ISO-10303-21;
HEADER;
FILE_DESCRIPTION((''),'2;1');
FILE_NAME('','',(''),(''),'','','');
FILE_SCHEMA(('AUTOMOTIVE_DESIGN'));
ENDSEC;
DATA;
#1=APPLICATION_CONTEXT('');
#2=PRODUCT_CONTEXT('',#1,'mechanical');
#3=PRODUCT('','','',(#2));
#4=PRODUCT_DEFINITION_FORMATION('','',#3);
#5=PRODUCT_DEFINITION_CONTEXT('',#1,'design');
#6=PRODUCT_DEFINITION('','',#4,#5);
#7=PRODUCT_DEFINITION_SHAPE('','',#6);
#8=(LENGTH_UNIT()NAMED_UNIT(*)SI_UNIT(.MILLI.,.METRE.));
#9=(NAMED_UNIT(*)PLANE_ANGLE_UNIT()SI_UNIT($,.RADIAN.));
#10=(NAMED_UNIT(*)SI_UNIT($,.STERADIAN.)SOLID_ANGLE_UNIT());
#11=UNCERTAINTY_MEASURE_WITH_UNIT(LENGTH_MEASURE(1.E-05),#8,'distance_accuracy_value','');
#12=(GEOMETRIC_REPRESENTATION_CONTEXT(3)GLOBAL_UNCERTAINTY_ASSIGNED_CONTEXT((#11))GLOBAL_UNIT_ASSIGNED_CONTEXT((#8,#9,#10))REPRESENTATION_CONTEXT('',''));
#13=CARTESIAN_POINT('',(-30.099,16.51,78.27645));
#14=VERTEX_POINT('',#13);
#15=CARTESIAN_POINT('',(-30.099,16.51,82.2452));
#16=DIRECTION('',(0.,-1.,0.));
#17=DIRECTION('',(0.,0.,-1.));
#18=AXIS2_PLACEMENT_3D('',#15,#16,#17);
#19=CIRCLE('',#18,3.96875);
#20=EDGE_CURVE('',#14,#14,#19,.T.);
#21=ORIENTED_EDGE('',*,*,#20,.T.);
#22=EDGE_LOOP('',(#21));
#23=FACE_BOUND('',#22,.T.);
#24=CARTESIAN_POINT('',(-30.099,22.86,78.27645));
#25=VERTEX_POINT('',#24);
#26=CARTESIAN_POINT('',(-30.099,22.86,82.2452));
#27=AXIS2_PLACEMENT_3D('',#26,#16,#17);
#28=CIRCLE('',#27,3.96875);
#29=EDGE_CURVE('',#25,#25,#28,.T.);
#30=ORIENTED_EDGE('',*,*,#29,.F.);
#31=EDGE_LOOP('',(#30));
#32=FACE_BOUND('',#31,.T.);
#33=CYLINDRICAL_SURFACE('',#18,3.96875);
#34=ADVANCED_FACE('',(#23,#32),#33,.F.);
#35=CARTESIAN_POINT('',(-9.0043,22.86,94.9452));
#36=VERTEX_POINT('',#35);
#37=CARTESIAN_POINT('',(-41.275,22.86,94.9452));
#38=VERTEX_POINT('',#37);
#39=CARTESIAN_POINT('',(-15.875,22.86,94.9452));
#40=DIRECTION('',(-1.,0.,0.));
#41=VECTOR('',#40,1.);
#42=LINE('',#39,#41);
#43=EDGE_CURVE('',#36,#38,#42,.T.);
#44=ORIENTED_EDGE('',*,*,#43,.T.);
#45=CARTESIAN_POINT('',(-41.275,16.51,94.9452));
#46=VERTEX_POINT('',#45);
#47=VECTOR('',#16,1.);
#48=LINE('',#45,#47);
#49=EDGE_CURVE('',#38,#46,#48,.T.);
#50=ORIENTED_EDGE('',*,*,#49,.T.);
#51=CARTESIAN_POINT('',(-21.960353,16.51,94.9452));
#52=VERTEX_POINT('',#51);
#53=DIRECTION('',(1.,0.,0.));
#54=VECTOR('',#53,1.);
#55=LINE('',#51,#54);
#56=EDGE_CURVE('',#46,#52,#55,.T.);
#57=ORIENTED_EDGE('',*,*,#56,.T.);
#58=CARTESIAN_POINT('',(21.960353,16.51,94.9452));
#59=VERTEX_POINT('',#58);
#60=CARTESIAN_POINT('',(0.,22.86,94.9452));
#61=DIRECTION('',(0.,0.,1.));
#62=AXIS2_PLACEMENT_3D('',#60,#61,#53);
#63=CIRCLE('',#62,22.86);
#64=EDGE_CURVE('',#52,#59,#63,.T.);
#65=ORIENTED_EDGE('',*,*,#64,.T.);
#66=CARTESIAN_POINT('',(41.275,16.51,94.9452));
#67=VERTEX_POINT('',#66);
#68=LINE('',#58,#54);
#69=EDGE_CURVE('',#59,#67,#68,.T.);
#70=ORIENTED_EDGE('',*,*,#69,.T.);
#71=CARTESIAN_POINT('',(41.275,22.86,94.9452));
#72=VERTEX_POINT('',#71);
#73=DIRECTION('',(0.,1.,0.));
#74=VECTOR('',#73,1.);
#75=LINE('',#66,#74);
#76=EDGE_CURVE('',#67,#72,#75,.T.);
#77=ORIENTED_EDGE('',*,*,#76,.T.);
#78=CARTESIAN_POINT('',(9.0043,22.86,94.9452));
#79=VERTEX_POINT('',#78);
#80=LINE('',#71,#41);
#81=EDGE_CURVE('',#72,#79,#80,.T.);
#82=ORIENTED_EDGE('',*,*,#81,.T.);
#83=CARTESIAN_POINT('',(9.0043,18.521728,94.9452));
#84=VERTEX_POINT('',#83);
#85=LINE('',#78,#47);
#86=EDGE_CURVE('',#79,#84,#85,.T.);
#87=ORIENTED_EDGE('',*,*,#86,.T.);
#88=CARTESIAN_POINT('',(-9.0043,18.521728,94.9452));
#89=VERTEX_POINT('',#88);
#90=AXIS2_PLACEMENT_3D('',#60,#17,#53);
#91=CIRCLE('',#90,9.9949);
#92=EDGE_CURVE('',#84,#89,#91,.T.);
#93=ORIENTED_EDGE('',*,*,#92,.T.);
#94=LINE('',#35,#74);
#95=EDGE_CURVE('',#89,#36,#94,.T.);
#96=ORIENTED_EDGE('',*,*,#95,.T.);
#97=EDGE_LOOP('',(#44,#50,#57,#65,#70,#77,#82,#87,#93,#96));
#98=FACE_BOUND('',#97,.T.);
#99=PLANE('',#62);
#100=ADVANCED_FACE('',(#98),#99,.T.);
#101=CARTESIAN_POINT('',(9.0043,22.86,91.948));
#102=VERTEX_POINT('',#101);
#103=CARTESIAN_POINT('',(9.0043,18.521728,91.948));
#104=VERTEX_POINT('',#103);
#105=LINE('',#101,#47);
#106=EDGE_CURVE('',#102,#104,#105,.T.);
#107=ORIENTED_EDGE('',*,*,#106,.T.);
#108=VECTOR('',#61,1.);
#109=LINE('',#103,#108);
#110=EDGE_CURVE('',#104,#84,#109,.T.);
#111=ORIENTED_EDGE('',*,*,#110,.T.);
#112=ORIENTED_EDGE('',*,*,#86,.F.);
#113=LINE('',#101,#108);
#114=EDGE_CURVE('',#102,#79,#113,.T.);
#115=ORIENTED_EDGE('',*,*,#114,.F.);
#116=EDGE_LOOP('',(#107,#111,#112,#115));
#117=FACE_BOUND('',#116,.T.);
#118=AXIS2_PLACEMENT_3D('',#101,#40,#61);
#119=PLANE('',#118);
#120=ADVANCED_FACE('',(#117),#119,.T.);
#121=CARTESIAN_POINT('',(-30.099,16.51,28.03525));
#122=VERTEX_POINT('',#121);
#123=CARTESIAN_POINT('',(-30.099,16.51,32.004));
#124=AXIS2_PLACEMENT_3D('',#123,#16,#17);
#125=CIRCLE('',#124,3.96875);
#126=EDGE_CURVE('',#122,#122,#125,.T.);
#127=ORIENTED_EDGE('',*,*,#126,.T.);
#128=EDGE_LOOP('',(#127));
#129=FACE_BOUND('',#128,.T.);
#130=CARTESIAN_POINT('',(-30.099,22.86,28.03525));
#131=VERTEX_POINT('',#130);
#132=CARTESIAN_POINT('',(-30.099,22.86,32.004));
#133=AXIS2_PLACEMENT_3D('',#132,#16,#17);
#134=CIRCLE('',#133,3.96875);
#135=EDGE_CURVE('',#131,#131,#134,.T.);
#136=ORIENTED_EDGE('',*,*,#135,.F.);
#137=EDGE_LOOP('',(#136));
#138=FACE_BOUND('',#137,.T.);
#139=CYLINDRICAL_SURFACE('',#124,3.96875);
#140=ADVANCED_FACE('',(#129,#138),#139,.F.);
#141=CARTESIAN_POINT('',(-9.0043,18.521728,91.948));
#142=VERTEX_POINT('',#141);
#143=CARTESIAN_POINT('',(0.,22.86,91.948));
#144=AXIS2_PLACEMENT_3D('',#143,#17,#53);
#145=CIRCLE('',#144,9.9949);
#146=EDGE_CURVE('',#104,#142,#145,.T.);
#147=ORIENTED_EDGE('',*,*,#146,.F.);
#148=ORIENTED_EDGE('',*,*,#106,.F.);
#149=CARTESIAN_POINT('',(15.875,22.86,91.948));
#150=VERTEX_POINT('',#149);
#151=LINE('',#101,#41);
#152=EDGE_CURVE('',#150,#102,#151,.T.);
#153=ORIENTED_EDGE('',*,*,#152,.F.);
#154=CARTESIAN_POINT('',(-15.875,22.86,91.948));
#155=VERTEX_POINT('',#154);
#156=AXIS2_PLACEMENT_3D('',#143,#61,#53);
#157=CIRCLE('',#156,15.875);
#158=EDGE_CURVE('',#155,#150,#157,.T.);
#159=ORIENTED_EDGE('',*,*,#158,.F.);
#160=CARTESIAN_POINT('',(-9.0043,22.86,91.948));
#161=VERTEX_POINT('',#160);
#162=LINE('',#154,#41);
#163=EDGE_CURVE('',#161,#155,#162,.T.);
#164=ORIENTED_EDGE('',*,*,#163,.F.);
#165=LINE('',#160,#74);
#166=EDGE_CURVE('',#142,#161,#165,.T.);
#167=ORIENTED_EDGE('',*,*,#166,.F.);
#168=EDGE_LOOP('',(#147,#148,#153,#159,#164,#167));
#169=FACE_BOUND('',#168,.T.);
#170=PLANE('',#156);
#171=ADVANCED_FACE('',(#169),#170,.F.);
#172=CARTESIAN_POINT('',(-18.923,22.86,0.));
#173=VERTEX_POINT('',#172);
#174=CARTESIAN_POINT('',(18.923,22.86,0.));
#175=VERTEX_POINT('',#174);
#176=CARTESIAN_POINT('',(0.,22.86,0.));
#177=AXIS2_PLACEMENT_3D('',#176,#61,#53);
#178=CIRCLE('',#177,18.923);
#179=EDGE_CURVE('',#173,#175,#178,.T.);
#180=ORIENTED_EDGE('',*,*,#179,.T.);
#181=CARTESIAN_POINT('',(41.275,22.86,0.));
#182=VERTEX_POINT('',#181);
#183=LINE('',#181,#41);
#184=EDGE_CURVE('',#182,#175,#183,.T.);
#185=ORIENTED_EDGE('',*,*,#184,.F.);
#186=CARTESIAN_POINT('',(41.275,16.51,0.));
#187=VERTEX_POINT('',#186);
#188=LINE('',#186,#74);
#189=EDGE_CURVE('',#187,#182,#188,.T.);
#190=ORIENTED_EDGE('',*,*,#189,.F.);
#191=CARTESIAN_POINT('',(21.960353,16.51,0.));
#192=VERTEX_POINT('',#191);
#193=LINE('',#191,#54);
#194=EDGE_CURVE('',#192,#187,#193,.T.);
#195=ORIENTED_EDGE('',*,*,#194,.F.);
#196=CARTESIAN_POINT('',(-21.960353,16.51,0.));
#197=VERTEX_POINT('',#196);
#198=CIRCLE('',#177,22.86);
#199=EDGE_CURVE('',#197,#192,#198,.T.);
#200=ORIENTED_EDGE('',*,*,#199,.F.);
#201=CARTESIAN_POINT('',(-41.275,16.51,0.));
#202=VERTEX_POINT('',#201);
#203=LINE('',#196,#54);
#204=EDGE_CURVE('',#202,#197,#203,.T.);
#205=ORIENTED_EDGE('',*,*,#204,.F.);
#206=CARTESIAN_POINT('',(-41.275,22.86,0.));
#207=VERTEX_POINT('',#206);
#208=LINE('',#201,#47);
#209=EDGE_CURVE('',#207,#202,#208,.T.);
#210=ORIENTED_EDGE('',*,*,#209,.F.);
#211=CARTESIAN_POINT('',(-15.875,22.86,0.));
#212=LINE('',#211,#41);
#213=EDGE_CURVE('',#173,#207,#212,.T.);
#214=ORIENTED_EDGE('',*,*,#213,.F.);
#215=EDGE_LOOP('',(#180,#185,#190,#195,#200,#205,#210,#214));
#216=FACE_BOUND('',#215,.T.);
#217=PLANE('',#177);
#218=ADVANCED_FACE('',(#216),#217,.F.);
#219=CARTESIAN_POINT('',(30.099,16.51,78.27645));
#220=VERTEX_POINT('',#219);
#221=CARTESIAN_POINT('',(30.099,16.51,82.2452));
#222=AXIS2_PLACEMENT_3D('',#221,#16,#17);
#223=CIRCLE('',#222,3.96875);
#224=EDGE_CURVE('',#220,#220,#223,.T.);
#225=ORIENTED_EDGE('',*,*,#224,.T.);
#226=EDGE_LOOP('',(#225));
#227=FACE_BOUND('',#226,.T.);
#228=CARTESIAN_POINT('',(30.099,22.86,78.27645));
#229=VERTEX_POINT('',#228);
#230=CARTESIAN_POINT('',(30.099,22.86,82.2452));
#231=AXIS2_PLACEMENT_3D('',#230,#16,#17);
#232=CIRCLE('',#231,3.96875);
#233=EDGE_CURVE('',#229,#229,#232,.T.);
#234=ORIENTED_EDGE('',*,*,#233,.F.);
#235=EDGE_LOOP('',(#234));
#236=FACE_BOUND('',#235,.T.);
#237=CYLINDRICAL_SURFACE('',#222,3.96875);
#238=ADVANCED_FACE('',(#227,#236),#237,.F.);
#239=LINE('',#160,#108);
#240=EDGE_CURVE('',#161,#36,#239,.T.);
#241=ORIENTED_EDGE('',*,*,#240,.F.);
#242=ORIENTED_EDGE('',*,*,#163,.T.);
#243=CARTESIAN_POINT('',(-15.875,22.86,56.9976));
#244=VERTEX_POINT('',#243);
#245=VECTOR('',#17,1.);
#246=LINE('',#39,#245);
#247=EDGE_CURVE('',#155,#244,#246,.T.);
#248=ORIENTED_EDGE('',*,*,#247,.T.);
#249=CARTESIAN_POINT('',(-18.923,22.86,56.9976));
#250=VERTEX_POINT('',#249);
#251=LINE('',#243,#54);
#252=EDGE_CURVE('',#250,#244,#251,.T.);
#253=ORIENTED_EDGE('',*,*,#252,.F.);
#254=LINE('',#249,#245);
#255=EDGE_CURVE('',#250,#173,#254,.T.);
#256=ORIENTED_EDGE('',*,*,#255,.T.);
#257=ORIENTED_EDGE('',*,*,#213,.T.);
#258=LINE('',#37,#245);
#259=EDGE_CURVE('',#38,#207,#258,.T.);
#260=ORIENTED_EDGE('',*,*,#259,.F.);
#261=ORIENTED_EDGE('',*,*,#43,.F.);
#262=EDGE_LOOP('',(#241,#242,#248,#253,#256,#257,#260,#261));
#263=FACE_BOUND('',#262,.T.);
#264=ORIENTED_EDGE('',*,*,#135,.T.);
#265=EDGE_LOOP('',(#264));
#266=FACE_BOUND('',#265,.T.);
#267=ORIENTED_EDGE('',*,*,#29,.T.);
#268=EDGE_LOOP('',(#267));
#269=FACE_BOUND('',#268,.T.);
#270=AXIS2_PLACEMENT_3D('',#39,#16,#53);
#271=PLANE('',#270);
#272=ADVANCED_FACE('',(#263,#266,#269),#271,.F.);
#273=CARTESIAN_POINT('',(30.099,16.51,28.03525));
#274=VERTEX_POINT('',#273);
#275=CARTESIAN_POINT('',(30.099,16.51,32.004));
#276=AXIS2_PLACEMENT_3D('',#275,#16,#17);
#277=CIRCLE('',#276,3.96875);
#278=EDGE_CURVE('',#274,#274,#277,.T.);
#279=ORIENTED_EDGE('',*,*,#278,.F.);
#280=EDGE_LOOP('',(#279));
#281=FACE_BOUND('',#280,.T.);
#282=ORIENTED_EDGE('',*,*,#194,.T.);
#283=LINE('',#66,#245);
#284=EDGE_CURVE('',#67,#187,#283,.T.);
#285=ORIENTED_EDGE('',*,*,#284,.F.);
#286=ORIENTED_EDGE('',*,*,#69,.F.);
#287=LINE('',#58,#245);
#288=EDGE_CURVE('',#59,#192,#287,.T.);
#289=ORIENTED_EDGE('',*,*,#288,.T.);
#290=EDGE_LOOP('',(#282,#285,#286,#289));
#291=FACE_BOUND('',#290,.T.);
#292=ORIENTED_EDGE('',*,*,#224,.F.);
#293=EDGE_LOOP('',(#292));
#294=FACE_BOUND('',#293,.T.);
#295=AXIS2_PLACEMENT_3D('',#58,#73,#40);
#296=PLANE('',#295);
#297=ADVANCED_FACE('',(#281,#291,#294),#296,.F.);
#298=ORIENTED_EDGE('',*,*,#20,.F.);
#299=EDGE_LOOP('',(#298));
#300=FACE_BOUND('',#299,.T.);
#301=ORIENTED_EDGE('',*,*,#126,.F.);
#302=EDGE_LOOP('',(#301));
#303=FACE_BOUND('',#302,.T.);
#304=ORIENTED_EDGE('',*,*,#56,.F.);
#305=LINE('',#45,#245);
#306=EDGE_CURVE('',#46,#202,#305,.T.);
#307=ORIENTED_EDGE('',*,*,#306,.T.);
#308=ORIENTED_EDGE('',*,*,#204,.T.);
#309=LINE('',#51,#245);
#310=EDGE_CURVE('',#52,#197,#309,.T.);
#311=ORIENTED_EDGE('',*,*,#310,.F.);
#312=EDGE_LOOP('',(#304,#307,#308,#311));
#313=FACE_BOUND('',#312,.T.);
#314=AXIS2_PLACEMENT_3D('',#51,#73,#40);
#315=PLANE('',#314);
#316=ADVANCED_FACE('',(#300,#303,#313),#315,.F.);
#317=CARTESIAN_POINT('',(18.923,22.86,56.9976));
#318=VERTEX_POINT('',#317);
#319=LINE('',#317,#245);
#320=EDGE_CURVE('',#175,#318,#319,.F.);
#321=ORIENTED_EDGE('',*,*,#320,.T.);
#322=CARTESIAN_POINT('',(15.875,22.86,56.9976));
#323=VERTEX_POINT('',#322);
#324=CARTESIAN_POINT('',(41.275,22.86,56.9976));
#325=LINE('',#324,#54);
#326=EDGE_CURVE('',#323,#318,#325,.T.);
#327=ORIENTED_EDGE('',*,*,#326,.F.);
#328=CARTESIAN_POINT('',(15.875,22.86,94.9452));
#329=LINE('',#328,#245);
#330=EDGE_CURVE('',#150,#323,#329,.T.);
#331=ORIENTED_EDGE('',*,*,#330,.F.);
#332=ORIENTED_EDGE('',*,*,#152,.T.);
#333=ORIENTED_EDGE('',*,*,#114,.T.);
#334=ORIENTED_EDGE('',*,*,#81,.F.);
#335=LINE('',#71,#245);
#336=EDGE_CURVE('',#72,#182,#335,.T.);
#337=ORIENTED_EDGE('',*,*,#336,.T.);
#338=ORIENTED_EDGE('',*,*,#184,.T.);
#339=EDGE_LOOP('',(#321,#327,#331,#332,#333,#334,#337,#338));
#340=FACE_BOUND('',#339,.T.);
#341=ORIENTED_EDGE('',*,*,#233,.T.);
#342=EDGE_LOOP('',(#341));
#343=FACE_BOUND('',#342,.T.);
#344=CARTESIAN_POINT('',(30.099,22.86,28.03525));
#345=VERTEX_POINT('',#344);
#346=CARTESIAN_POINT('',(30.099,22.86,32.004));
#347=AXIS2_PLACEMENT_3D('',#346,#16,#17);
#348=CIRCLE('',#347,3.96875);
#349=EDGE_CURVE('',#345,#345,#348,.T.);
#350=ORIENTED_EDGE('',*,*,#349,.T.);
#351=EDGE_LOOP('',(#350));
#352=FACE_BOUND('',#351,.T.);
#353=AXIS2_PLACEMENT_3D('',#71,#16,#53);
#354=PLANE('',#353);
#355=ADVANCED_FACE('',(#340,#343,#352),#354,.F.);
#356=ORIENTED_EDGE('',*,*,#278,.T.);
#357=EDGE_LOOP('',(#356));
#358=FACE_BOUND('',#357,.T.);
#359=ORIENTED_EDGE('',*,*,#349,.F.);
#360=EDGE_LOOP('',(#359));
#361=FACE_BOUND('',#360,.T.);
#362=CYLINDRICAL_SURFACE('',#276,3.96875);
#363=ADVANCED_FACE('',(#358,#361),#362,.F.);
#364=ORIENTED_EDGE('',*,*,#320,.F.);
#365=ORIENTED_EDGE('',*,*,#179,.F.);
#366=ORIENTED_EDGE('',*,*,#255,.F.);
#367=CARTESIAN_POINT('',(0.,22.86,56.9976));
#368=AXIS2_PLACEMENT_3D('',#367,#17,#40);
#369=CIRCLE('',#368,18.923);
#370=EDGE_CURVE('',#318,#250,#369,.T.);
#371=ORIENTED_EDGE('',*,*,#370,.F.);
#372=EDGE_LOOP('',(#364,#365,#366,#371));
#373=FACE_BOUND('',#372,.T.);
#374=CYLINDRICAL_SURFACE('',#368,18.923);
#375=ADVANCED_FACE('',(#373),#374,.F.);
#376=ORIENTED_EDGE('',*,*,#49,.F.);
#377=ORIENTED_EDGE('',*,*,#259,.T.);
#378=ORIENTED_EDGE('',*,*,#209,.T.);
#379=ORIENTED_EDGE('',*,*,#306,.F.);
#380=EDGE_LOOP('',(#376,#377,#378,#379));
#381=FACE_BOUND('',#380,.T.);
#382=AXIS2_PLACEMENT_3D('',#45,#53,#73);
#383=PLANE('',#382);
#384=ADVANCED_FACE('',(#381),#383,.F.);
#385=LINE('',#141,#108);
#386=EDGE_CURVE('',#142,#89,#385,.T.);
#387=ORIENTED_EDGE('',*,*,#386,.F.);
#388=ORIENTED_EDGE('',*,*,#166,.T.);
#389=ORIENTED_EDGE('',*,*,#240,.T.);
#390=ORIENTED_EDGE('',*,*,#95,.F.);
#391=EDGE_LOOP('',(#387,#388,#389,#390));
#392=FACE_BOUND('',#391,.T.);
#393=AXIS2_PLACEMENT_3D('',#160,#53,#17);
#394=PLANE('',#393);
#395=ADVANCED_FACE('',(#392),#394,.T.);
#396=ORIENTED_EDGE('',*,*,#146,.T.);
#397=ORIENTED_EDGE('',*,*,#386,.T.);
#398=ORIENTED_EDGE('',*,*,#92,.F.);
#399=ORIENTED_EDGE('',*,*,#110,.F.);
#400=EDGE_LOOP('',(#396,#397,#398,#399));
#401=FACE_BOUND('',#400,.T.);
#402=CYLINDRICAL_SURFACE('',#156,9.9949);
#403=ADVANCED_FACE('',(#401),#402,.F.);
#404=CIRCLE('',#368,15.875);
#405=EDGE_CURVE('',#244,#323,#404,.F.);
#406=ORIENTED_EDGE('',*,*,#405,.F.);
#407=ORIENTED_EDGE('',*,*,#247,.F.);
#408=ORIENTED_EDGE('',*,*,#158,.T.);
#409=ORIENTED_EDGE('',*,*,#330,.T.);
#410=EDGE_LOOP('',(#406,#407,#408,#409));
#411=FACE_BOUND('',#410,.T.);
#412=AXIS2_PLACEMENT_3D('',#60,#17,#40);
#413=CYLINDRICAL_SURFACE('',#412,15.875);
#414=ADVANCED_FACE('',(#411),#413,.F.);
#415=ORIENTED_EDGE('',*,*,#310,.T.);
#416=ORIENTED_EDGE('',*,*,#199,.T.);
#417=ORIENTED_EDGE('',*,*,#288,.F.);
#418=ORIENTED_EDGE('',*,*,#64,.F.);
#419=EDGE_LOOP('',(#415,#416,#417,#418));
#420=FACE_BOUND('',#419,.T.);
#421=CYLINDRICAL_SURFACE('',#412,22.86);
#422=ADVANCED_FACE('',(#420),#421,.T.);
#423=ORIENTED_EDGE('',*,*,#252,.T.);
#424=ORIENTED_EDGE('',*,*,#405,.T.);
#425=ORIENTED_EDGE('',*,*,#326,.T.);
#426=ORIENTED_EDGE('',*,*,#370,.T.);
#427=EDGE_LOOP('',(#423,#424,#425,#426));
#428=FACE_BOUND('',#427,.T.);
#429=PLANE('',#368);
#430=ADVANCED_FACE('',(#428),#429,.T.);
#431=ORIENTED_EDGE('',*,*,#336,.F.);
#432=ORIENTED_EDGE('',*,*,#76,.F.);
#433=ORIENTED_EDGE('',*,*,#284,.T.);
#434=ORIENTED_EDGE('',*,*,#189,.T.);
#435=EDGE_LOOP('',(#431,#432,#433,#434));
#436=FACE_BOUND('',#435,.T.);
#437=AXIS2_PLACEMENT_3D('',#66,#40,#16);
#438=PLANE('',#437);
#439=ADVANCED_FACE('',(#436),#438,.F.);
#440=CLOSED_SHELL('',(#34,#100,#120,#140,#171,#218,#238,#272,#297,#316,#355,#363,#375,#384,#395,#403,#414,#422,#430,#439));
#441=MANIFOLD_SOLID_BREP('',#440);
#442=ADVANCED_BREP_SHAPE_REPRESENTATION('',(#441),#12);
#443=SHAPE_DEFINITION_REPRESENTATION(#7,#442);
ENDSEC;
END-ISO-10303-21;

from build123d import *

# Parameters (mm, degrees)
BOSS_EXTRUDE1_DEPTH = 94.9452
SKETCH2_R           = 18.923
CUT_EXTRUDE1_DEPTH  = 56.9976
BOSS_EXTRUDE2_START = -2.9972
BOSS_EXTRUDE2_DEPTH = 2.9972
HOLE1_D             = 7.9375


with BuildPart() as part:
    # Sketch1 → Boss-Extrude1 (new body)
    with BuildSketch(Plane.XY):
        with BuildLine():
            Line((21.960352912, 16.51), (41.275, 16.51))
            Line((41.275, 16.51), (41.275, 22.86))
            Line((41.275, 22.86), (15.875, 22.86))
            ThreePointArc((15.875, 22.86), (0, 6.985), (-15.875, 22.86))
            Line((-15.875, 22.86), (-41.275, 22.86))
            Line((-41.275, 22.86), (-41.275, 16.51))
            Line((-41.275, 16.51), (-21.960352912, 16.51))
            ThreePointArc((-21.960352912, 16.51), (0, 0), (21.960352912, 16.51))
        make_face()
    extrude(amount=BOSS_EXTRUDE1_DEPTH)

    # Sketch2 → Cut-Extrude1 (cut)
    with BuildSketch(Plane(origin=(0, 0, 0), x_dir=(-1, 0, 0), z_dir=(0, 0, -1))):
        with Locations((0, 22.86)):
            Circle(SKETCH2_R)
    extrude(amount=-CUT_EXTRUDE1_DEPTH, mode=Mode.SUBTRACT)

    # Sketch3 → Boss-Extrude2 (add)
    with BuildSketch(Plane.XY.offset(94.9452).offset(BOSS_EXTRUDE2_START)):
        with BuildLine():
            Line((-15.875, 22.86), (-9.0043, 22.86))
            Line((-9.0043, 22.86), (-9.0043, 18.521727588))
            ThreePointArc((-9.0043, 18.521727588), (0, 12.8651), (9.0043, 18.521727588))
            Line((9.0043, 18.521727588), (9.0043, 22.86))
            Line((9.0043, 22.86), (15.875, 22.86))
            ThreePointArc((15.875, 22.86), (0, 6.985), (-15.875, 22.86))
        make_face()
    extrude(amount=BOSS_EXTRUDE2_DEPTH)

    # Hole1 (through all)
    with Locations(Plane(origin=(0, 16.51, 0), x_dir=(-1, 0, 0), z_dir=(0, -1, 0))):
        with Locations((30.099, -32.004), (30.099, -82.2452)):
            hole1 = Hole(HOLE1_D / 2)

    # Mirror1: Hole1 across plane
    add(hole1.mirror(Plane(origin=(0, 0, 0), x_dir=(0, 0, 1), z_dir=(1, 0, 0))), mode=Mode.SUBTRACT)


solid = part.part
